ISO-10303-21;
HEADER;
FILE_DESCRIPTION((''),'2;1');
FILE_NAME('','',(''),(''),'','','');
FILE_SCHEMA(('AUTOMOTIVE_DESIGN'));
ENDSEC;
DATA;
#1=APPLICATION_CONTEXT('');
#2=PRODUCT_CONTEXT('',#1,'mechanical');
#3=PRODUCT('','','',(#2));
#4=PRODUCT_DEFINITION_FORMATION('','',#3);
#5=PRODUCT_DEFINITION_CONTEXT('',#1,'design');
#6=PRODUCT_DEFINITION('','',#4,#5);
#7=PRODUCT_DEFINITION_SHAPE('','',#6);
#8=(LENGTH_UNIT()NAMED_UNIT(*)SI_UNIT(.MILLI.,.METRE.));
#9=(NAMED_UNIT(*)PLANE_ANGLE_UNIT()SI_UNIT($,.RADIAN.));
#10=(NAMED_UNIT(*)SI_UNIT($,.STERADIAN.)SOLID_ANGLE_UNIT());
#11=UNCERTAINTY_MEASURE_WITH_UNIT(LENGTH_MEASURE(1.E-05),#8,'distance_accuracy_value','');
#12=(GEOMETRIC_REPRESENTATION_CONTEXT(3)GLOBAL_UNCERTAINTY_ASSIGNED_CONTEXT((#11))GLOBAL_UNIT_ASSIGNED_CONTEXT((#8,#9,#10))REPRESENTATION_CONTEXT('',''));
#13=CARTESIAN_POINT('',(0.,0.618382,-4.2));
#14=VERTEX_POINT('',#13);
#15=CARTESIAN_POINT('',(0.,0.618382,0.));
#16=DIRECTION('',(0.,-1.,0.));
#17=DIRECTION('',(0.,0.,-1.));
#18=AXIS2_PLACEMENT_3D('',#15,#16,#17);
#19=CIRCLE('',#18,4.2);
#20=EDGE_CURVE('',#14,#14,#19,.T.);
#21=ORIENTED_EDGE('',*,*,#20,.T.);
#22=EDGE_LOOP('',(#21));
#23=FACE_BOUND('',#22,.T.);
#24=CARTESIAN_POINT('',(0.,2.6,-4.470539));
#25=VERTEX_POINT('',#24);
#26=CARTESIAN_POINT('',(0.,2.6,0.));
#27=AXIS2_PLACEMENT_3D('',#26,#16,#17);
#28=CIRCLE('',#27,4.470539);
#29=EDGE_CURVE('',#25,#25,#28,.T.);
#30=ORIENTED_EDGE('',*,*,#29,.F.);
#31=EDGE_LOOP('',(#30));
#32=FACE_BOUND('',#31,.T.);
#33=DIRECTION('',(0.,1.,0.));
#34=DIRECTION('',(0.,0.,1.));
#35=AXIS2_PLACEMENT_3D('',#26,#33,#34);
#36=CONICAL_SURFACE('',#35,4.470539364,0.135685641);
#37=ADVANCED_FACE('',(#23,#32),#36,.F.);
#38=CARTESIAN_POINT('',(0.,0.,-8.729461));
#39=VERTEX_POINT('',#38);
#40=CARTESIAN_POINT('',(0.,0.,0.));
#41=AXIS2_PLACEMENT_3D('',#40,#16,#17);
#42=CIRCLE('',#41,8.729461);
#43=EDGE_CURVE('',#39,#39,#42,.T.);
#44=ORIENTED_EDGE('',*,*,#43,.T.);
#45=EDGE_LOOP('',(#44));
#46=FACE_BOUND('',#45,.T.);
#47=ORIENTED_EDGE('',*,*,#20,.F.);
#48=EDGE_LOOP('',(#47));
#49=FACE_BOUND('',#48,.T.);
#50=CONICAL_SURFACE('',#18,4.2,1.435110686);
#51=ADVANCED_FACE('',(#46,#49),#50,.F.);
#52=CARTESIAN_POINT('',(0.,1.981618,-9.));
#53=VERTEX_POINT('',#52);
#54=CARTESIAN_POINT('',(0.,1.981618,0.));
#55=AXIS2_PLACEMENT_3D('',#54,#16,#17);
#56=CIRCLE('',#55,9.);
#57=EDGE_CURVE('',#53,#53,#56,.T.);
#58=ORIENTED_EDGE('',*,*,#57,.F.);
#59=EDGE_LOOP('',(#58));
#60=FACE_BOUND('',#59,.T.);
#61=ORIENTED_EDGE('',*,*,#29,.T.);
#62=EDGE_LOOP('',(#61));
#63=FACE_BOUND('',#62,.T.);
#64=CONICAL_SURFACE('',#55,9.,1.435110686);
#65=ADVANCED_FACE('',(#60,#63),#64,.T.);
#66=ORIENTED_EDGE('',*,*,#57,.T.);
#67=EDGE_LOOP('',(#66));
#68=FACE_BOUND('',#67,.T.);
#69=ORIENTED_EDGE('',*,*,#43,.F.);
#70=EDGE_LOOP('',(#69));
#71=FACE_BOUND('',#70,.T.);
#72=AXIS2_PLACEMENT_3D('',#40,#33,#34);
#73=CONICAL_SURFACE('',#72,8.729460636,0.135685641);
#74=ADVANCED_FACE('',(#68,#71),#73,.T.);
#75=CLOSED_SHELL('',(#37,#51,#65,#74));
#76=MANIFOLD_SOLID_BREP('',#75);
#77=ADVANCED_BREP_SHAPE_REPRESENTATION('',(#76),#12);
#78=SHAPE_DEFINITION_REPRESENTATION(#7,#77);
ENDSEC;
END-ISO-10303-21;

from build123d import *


with BuildPart() as part:
    # Sketch1 → Revolve1 (revolve)
    with BuildSketch(Plane.XY, mode=Mode.PRIVATE) as revolve1_sk:
        Polygon((8.729460636, 0), (4.2, 0.618382365), (4.470539364, 2.6), (9, 1.981617635), align=None)
    revolve(revolve1_sk.sketch.rotate(Axis((0, 0, 0), (0, 1, 0)), 90), axis=Axis((0, 0, 0), (0, 1, 0)))


solid = part.part
